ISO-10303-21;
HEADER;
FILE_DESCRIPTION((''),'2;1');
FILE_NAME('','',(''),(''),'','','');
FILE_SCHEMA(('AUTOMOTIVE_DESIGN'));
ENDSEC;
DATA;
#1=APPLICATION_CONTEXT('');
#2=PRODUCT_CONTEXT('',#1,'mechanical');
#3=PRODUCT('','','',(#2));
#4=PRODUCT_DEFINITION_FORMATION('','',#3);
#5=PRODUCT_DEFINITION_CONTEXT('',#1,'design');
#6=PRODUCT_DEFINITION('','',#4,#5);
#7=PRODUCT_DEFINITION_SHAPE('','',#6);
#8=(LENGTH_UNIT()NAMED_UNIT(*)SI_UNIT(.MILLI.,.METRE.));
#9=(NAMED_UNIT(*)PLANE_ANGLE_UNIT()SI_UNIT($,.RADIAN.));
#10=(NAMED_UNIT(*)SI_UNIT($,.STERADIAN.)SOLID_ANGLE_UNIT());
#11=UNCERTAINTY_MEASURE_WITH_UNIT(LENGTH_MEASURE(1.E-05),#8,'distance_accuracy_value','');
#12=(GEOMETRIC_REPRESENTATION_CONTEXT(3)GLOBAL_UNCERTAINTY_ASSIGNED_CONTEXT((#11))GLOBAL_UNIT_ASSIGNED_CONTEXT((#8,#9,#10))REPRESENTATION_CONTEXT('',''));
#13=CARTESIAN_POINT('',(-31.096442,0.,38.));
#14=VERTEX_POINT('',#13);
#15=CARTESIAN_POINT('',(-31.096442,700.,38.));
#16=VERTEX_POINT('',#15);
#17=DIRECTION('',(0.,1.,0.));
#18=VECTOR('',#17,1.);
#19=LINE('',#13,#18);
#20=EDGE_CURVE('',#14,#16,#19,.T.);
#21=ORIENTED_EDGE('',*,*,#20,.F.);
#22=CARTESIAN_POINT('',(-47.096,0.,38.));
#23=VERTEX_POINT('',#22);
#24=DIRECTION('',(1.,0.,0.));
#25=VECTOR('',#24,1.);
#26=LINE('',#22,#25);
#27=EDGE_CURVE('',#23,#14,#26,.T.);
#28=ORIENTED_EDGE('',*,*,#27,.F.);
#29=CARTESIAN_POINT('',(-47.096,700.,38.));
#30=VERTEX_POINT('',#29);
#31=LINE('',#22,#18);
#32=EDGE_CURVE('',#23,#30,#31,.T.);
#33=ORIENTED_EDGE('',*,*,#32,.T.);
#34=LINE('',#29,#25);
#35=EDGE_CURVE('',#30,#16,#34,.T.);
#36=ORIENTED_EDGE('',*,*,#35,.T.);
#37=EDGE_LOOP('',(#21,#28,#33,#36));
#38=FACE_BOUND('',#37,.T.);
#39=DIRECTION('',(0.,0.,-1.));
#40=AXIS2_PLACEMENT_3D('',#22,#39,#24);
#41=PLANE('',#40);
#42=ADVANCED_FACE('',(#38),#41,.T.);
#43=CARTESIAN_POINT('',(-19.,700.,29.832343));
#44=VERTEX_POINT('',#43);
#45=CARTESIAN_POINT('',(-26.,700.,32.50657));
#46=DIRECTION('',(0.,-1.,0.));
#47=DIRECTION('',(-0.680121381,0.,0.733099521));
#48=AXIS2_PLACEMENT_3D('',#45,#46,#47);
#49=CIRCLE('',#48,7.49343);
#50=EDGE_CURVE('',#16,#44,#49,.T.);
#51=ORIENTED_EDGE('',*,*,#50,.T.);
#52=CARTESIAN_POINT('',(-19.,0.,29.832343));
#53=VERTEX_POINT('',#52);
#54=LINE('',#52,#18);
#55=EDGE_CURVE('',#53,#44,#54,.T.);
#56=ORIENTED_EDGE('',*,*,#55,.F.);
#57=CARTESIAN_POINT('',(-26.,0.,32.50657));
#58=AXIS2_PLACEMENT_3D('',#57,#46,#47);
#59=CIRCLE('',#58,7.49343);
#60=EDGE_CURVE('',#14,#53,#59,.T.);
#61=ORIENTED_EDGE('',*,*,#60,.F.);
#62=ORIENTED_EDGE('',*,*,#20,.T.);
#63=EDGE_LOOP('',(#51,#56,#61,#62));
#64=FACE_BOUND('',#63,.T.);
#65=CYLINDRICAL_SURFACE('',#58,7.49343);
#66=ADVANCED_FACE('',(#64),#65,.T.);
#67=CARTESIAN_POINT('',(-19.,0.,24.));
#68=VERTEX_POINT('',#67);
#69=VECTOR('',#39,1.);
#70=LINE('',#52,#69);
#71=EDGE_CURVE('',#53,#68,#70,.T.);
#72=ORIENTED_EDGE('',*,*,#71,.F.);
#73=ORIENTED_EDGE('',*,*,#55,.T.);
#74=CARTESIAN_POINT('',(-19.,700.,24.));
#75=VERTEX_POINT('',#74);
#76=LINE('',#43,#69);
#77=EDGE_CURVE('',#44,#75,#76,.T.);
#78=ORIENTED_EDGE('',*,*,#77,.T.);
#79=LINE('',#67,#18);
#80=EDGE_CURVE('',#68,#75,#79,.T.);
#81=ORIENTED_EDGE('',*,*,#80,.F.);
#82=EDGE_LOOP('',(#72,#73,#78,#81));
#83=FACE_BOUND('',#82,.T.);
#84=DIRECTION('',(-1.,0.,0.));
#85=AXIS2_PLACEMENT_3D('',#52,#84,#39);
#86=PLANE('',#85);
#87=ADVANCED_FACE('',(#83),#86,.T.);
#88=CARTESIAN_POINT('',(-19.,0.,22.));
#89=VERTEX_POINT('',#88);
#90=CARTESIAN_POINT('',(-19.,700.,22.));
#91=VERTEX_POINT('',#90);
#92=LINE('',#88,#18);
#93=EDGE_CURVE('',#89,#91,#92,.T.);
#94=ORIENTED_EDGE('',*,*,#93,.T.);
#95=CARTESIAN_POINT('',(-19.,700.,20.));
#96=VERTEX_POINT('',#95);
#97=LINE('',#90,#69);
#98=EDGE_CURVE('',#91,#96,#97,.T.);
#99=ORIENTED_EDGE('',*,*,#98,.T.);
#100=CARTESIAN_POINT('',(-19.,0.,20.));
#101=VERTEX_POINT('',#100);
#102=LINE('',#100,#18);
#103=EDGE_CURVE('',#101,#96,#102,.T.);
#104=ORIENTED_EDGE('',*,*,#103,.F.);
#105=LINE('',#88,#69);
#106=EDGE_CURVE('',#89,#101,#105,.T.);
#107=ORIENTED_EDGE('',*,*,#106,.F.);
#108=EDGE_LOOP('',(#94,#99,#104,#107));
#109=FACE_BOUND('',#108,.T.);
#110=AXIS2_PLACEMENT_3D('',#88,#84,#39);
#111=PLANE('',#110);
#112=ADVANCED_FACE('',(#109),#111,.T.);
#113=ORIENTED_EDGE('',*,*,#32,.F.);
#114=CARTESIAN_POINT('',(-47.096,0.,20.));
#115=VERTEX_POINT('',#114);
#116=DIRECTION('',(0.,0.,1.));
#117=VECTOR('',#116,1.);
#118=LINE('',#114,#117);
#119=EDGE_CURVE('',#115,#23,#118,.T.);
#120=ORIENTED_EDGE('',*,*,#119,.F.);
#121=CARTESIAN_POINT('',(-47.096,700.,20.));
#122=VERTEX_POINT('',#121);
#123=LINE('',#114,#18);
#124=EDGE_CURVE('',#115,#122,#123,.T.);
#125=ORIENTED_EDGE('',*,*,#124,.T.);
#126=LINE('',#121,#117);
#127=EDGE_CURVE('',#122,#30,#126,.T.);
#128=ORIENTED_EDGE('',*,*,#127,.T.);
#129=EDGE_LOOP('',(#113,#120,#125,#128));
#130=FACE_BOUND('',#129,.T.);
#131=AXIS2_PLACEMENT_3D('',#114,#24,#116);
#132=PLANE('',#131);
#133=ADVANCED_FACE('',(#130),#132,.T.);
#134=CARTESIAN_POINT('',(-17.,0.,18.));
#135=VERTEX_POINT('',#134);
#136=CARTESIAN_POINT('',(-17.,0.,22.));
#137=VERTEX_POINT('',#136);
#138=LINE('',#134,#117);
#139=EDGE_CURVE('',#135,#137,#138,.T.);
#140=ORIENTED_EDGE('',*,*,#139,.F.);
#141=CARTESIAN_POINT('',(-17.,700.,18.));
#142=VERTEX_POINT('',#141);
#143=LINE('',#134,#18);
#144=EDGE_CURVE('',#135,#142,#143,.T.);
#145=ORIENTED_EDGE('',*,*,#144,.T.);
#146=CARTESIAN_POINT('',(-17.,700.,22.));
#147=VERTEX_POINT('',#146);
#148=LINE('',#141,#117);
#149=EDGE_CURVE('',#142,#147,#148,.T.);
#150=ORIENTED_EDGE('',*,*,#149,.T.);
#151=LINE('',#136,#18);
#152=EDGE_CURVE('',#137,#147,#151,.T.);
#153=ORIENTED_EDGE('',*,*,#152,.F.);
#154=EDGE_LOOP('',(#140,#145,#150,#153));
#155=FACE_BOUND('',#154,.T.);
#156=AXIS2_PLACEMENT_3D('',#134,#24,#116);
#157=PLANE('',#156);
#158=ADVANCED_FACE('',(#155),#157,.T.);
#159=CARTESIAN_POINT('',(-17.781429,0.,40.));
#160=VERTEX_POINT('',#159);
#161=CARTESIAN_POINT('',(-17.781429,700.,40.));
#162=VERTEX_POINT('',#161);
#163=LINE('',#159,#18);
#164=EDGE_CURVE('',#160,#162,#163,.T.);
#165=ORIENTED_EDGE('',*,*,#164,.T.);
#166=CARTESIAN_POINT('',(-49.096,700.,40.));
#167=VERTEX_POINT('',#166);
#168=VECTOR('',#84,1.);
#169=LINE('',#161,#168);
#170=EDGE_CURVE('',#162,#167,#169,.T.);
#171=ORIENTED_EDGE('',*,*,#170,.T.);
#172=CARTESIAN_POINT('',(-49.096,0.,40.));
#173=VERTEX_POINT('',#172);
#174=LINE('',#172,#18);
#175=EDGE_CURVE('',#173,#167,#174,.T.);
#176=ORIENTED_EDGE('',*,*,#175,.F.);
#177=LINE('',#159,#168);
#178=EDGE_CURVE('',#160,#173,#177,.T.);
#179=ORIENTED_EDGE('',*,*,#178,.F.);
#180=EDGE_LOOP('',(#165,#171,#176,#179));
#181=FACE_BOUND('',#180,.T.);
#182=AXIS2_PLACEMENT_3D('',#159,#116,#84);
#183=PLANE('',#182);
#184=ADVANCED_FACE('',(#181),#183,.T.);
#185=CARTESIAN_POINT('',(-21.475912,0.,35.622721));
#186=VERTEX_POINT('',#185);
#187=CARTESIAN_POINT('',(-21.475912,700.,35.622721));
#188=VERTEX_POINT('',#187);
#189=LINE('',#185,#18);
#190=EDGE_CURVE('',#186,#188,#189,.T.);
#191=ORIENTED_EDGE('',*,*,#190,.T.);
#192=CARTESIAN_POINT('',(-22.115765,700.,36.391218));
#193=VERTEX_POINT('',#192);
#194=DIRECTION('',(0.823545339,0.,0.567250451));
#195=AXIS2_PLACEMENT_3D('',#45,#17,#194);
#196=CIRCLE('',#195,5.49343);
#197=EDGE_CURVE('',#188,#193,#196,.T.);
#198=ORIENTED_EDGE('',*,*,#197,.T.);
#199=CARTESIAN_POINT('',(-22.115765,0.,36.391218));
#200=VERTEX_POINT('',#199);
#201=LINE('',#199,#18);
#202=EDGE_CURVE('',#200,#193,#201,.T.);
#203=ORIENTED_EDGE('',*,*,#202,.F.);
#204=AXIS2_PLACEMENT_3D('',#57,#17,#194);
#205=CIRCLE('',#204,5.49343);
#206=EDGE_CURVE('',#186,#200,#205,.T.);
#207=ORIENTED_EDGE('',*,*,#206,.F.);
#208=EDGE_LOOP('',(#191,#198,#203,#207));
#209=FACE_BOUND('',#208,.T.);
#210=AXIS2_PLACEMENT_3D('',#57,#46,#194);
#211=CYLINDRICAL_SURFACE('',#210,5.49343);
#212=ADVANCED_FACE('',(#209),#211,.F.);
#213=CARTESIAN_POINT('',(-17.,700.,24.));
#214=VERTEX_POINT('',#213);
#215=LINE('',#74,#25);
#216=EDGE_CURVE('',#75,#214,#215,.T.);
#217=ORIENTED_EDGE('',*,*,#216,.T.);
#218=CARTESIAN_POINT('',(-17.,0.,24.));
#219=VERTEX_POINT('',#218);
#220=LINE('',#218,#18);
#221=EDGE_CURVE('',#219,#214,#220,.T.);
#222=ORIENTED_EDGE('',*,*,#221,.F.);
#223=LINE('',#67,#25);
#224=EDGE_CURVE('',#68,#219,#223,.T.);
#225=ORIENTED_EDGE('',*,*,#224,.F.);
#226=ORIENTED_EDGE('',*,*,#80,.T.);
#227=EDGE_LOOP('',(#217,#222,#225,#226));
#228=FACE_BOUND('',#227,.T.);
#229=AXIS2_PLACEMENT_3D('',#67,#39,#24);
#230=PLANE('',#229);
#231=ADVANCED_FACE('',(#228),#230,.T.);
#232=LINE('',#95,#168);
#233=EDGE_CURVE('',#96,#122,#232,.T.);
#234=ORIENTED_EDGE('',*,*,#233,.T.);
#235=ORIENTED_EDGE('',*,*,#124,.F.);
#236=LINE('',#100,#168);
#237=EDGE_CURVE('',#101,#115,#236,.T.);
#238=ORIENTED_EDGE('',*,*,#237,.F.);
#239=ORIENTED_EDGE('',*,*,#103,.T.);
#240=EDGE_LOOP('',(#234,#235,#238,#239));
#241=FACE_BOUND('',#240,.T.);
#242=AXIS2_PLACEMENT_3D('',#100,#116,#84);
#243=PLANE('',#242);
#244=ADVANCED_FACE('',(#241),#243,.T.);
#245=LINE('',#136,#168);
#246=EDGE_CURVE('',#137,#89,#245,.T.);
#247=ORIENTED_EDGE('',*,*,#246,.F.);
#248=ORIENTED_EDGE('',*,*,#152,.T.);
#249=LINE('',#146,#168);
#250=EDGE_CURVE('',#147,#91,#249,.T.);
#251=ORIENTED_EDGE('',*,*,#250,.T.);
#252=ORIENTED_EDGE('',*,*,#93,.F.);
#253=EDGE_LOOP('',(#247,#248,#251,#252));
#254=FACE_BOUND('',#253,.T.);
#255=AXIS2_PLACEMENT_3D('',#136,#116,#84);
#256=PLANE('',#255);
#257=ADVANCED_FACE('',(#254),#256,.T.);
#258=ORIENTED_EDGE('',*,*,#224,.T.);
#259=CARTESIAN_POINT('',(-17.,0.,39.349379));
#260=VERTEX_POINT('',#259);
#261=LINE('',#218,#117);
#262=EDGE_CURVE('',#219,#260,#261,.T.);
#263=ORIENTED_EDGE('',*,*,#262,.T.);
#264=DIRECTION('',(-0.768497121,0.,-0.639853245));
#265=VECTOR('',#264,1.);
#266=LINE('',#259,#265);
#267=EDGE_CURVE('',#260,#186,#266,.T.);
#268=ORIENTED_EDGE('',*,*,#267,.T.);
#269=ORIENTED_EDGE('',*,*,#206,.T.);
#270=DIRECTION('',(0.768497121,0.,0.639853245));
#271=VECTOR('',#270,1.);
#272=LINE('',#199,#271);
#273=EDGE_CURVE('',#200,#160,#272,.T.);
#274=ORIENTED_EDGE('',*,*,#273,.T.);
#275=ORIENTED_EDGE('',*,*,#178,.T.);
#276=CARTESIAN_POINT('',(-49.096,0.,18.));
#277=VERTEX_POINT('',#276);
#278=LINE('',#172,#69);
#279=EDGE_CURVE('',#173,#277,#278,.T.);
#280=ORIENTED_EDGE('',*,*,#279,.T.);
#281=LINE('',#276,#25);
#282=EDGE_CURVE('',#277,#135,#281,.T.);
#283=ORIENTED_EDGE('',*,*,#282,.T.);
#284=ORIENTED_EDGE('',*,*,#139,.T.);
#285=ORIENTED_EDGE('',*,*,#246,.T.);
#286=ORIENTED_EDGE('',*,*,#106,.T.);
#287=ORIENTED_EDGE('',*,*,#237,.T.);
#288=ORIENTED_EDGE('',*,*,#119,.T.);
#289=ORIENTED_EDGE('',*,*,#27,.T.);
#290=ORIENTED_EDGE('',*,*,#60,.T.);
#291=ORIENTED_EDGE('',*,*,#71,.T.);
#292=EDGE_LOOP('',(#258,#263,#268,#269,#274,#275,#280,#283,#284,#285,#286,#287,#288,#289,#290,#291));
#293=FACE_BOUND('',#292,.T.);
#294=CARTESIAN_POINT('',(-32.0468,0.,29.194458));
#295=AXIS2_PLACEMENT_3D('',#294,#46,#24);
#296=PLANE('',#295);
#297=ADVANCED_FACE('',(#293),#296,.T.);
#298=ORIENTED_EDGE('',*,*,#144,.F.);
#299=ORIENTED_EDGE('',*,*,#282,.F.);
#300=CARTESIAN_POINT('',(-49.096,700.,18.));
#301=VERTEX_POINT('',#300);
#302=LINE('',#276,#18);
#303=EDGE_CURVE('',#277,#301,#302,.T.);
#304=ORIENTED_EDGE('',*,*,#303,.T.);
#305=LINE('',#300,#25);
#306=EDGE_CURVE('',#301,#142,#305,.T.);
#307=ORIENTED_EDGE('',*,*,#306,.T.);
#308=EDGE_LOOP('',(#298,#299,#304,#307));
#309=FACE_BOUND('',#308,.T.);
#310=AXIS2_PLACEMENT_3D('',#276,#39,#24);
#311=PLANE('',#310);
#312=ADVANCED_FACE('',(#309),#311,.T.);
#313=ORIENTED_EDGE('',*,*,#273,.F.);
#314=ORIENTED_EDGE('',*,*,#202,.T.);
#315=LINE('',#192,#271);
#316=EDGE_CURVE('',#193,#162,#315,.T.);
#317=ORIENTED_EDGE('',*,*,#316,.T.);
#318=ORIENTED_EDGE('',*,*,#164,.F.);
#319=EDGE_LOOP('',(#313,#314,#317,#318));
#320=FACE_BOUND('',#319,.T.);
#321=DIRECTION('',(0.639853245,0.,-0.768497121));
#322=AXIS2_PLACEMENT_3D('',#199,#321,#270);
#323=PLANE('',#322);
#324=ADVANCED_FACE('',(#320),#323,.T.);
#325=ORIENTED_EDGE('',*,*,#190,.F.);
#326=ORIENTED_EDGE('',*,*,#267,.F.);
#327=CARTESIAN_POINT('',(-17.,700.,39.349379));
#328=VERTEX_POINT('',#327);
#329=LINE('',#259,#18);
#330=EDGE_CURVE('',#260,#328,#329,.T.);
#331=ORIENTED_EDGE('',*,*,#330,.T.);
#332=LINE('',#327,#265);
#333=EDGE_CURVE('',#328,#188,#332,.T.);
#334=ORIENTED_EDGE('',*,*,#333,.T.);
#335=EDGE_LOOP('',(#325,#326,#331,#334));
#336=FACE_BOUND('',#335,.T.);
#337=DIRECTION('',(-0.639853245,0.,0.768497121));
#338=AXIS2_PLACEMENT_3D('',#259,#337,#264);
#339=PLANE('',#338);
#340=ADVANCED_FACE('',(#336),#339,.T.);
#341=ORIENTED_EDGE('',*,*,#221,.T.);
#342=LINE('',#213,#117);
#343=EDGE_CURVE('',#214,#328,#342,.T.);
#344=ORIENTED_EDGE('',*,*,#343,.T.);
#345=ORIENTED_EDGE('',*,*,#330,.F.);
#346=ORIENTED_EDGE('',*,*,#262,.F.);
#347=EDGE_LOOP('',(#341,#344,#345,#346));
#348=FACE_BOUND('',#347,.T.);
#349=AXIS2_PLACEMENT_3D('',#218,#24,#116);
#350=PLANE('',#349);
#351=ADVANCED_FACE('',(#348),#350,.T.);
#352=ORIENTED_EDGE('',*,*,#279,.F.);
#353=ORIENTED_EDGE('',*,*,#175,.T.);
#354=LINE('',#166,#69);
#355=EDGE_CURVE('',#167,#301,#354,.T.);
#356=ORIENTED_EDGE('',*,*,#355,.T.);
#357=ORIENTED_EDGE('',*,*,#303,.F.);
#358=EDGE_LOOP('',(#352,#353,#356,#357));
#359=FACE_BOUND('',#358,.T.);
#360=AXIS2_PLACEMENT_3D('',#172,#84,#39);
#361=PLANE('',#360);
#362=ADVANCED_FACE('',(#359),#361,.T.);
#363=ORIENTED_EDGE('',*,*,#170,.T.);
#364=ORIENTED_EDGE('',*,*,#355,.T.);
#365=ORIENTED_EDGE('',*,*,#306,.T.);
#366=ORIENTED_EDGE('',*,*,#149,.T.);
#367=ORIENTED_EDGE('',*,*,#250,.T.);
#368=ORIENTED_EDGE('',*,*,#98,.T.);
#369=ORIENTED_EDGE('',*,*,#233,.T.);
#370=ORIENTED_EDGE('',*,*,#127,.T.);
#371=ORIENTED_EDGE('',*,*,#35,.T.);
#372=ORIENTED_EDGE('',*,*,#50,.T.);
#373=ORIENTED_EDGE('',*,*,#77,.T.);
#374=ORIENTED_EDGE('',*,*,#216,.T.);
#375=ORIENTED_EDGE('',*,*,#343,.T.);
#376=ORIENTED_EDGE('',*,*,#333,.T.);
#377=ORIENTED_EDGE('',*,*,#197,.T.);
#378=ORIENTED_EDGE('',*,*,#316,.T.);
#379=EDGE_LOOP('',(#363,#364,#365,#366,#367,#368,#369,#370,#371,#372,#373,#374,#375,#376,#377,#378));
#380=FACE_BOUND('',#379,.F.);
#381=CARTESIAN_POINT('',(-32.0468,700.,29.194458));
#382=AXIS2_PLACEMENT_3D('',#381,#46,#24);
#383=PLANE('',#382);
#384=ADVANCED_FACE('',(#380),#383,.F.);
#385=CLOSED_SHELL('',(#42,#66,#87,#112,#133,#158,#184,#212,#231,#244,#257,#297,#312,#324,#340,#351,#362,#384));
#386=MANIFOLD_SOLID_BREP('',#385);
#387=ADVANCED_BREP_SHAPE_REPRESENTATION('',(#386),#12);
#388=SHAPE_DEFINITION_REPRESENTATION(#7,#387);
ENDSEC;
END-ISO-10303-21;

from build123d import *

# Parameters (mm, degrees)
F2_DEPTH = 1910
F7_DEPTH = 700
F9_DEPTH = 2000


with BuildPart() as f2:
    # F1 (on Front) → F2 (new body)
    with BuildSketch(Plane.XZ):
        with BuildLine():
            Line((7.5, 37.974085065), (7.5, 40))
            Line((7.5, 40), (-15, 40))
            Line((-15, 40), (-15, 37))
            Line((-15, 37), (-15, 31))
            Line((-15, 31), (-15, 29))
            Line((-15, 29), (-15, 26))
            Line((-15, 26), (-15, 24))
            Line((-15, 24), (-13, 24))
            Line((-13, 24), (-11, 24))
            Line((-11, 24), (-11, 26))
            Line((-11, 26), (-9, 26))
            Line((-9, 26), (-9, 20))
            Line((-9, 20), (-11, 20))
            Line((-11, 20), (-11, 22))
            Line((-11, 22), (-15, 22))
            Line((-15, 22), (-15, 18))
            Line((-15, 18), (-15, 7.7))
            Line((-15, 7.7), (-13, 7.7))
            Line((-13, 7.7), (-13, 11.4920835048))
            Line((-13, 11.4920835048), (-7, 11.4920835048))
            Line((-7, 11.4920835048), (-7, 3.7))
            Line((-7, 3.7), (-11, 3.7))
            Line((-11, 3.7), (-11, 5.7))
            Line((-11, 5.7), (-15, 5.7))
            Line((-15, 5.7), (-15, 3))
            Line((-15, 3), (-15, 0))
            Line((-15, 0), (-13, 0))
            Line((-13, 0), (-12, 0))
            Line((-12, 0), (-5, 0))
            Line((-5, 0), (-5, 13.4920835048))
            Line((-5, 13.4920835048), (-7, 13.4920835048))
            Line((-7, 13.4920835048), (-9.1588944197, 13.4920835048))
            Line((-9.1588944197, 13.4920835048), (-9.1588944197, 15.4920835048))
            Line((-9.1588944197, 15.4920835048), (1.5, 20))
            Line((1.5, 20), (10.8411055803, 15.4920835048))
            Line((10.8411055803, 15.4920835048), (10.8411055803, 13.4920835048))
            Line((10.8411055803, 13.4920835048), (8, 13.4920835048))
            Line((8, 13.4920835048), (8, 0))
            Line((8, 0), (17, 0))
            Line((17, 0), (17, 40))
            Line((17, 40), (8.5, 40))
            Line((8.5, 40), (8.5, 37.974085065))
            ThreePointArc((8.5, 37.974085065), (11.5604089792, 36.6859489396), (13.3185590744, 33.8691589154))
            Line((13.3185590744, 33.8691589154), (13.4318527537, 31.7073867348))
            ThreePointArc((13.4318527537, 31.7073867348), (4.0126863822, 28.7323088758), (7.5, 37.974085065))
        make_face()
        Polygon((-8.3634709733, 18), (-11.1588944197, 16.817744602), (-11.1588944197, 15.4920835048), (-11.1588944197, 13.4920835048), (-13, 13.4920835048), (-13, 18), align=None, mode=Mode.SUBTRACT)
        with BuildLine():
            Line((-13, 34), (-13, 37.9999987781))
            Line((-13, 37.9999987781), (2.9081163149, 37.9999987781))
            ThreePointArc((2.9081163149, 37.9999987781), (3.810445381, 26.2974906682), (15, 29.8410427327))
            Line((15, 29.8410427327), (15, 2))
            Line((15, 2), (10, 2))
            Line((10, 2), (10, 12))
            Line((10, 12), (12.8411055803, 12))
            Line((12.8411055803, 12), (12.8411055803, 16.7476188273))
            Line((12.8411055803, 16.7476188273), (1.5543358685, 22.194491783))
            Line((1.5543358685, 22.194491783), (-7, 18.5766464184))
            Line((-7, 18.5766464184), (-7, 28))
            Line((-7, 28), (-13, 28))
            Line((-13, 28), (-13, 34))
        make_face(mode=Mode.SUBTRACT)
        with BuildLine():
            Line((13.0918836851, 37.9999987781), (13.1020709306, 37.9999987781))
            Line((13.1020709306, 37.9999987781), (13.1025921338, 37.9900536295))
            ThreePointArc((13.1025921338, 37.9900536295), (13.0972403349, 37.9950288154), (13.0918836851, 37.9999987781))
        make_face(mode=Mode.SUBTRACT)
    extrude(amount=-F2_DEPTH)

    # F8 (on face) → F9 (cut)
    with BuildSketch(Plane.XZ):
        Polygon((17, 0), (17, 40), (-15, 40), (-15, 3), (-15, 0), align=None)
    extrude(amount=-F9_DEPTH, mode=Mode.SUBTRACT)


with BuildPart() as f7:
    # F6 (on face) → F7 (new body)
    with BuildSketch(Plane.XZ):
        with BuildLine():
            Line((-17.7814291848, 40), (-25.5, 40))
            Line((-25.5, 40), (-49.096, 40))
            Line((-49.096, 40), (-49.096, 18))
            Line((-49.096, 18), (-17, 18))
            Line((-17, 18), (-17, 22))
            Line((-17, 22), (-19, 22))
            Line((-19, 22), (-19, 20))
            Line((-19, 20), (-47.096, 20))
            Line((-47.096, 20), (-47.096, 38))
            Line((-47.096, 38), (-31.0964418097, 38))
            ThreePointArc((-31.0964418097, 38), (-30.1932729017, 26.2962600635), (-19, 29.8323432536))
            Line((-19, 29.8323432536), (-19, 24))
            Line((-19, 24), (-17, 24))
            Line((-17, 24), (-17, 39.349379475))
            Line((-17, 39.349379475), (-21.4759115093, 35.6227207421))
            ThreePointArc((-21.4759115093, 35.6227207421), (-30.2216849679, 28.9915813466), (-22.1157647548, 36.3912178626))
            Line((-22.1157647548, 36.3912178626), (-17.7814291848, 40))
        make_face()
    extrude(amount=-F7_DEPTH)


solid = f7.part
